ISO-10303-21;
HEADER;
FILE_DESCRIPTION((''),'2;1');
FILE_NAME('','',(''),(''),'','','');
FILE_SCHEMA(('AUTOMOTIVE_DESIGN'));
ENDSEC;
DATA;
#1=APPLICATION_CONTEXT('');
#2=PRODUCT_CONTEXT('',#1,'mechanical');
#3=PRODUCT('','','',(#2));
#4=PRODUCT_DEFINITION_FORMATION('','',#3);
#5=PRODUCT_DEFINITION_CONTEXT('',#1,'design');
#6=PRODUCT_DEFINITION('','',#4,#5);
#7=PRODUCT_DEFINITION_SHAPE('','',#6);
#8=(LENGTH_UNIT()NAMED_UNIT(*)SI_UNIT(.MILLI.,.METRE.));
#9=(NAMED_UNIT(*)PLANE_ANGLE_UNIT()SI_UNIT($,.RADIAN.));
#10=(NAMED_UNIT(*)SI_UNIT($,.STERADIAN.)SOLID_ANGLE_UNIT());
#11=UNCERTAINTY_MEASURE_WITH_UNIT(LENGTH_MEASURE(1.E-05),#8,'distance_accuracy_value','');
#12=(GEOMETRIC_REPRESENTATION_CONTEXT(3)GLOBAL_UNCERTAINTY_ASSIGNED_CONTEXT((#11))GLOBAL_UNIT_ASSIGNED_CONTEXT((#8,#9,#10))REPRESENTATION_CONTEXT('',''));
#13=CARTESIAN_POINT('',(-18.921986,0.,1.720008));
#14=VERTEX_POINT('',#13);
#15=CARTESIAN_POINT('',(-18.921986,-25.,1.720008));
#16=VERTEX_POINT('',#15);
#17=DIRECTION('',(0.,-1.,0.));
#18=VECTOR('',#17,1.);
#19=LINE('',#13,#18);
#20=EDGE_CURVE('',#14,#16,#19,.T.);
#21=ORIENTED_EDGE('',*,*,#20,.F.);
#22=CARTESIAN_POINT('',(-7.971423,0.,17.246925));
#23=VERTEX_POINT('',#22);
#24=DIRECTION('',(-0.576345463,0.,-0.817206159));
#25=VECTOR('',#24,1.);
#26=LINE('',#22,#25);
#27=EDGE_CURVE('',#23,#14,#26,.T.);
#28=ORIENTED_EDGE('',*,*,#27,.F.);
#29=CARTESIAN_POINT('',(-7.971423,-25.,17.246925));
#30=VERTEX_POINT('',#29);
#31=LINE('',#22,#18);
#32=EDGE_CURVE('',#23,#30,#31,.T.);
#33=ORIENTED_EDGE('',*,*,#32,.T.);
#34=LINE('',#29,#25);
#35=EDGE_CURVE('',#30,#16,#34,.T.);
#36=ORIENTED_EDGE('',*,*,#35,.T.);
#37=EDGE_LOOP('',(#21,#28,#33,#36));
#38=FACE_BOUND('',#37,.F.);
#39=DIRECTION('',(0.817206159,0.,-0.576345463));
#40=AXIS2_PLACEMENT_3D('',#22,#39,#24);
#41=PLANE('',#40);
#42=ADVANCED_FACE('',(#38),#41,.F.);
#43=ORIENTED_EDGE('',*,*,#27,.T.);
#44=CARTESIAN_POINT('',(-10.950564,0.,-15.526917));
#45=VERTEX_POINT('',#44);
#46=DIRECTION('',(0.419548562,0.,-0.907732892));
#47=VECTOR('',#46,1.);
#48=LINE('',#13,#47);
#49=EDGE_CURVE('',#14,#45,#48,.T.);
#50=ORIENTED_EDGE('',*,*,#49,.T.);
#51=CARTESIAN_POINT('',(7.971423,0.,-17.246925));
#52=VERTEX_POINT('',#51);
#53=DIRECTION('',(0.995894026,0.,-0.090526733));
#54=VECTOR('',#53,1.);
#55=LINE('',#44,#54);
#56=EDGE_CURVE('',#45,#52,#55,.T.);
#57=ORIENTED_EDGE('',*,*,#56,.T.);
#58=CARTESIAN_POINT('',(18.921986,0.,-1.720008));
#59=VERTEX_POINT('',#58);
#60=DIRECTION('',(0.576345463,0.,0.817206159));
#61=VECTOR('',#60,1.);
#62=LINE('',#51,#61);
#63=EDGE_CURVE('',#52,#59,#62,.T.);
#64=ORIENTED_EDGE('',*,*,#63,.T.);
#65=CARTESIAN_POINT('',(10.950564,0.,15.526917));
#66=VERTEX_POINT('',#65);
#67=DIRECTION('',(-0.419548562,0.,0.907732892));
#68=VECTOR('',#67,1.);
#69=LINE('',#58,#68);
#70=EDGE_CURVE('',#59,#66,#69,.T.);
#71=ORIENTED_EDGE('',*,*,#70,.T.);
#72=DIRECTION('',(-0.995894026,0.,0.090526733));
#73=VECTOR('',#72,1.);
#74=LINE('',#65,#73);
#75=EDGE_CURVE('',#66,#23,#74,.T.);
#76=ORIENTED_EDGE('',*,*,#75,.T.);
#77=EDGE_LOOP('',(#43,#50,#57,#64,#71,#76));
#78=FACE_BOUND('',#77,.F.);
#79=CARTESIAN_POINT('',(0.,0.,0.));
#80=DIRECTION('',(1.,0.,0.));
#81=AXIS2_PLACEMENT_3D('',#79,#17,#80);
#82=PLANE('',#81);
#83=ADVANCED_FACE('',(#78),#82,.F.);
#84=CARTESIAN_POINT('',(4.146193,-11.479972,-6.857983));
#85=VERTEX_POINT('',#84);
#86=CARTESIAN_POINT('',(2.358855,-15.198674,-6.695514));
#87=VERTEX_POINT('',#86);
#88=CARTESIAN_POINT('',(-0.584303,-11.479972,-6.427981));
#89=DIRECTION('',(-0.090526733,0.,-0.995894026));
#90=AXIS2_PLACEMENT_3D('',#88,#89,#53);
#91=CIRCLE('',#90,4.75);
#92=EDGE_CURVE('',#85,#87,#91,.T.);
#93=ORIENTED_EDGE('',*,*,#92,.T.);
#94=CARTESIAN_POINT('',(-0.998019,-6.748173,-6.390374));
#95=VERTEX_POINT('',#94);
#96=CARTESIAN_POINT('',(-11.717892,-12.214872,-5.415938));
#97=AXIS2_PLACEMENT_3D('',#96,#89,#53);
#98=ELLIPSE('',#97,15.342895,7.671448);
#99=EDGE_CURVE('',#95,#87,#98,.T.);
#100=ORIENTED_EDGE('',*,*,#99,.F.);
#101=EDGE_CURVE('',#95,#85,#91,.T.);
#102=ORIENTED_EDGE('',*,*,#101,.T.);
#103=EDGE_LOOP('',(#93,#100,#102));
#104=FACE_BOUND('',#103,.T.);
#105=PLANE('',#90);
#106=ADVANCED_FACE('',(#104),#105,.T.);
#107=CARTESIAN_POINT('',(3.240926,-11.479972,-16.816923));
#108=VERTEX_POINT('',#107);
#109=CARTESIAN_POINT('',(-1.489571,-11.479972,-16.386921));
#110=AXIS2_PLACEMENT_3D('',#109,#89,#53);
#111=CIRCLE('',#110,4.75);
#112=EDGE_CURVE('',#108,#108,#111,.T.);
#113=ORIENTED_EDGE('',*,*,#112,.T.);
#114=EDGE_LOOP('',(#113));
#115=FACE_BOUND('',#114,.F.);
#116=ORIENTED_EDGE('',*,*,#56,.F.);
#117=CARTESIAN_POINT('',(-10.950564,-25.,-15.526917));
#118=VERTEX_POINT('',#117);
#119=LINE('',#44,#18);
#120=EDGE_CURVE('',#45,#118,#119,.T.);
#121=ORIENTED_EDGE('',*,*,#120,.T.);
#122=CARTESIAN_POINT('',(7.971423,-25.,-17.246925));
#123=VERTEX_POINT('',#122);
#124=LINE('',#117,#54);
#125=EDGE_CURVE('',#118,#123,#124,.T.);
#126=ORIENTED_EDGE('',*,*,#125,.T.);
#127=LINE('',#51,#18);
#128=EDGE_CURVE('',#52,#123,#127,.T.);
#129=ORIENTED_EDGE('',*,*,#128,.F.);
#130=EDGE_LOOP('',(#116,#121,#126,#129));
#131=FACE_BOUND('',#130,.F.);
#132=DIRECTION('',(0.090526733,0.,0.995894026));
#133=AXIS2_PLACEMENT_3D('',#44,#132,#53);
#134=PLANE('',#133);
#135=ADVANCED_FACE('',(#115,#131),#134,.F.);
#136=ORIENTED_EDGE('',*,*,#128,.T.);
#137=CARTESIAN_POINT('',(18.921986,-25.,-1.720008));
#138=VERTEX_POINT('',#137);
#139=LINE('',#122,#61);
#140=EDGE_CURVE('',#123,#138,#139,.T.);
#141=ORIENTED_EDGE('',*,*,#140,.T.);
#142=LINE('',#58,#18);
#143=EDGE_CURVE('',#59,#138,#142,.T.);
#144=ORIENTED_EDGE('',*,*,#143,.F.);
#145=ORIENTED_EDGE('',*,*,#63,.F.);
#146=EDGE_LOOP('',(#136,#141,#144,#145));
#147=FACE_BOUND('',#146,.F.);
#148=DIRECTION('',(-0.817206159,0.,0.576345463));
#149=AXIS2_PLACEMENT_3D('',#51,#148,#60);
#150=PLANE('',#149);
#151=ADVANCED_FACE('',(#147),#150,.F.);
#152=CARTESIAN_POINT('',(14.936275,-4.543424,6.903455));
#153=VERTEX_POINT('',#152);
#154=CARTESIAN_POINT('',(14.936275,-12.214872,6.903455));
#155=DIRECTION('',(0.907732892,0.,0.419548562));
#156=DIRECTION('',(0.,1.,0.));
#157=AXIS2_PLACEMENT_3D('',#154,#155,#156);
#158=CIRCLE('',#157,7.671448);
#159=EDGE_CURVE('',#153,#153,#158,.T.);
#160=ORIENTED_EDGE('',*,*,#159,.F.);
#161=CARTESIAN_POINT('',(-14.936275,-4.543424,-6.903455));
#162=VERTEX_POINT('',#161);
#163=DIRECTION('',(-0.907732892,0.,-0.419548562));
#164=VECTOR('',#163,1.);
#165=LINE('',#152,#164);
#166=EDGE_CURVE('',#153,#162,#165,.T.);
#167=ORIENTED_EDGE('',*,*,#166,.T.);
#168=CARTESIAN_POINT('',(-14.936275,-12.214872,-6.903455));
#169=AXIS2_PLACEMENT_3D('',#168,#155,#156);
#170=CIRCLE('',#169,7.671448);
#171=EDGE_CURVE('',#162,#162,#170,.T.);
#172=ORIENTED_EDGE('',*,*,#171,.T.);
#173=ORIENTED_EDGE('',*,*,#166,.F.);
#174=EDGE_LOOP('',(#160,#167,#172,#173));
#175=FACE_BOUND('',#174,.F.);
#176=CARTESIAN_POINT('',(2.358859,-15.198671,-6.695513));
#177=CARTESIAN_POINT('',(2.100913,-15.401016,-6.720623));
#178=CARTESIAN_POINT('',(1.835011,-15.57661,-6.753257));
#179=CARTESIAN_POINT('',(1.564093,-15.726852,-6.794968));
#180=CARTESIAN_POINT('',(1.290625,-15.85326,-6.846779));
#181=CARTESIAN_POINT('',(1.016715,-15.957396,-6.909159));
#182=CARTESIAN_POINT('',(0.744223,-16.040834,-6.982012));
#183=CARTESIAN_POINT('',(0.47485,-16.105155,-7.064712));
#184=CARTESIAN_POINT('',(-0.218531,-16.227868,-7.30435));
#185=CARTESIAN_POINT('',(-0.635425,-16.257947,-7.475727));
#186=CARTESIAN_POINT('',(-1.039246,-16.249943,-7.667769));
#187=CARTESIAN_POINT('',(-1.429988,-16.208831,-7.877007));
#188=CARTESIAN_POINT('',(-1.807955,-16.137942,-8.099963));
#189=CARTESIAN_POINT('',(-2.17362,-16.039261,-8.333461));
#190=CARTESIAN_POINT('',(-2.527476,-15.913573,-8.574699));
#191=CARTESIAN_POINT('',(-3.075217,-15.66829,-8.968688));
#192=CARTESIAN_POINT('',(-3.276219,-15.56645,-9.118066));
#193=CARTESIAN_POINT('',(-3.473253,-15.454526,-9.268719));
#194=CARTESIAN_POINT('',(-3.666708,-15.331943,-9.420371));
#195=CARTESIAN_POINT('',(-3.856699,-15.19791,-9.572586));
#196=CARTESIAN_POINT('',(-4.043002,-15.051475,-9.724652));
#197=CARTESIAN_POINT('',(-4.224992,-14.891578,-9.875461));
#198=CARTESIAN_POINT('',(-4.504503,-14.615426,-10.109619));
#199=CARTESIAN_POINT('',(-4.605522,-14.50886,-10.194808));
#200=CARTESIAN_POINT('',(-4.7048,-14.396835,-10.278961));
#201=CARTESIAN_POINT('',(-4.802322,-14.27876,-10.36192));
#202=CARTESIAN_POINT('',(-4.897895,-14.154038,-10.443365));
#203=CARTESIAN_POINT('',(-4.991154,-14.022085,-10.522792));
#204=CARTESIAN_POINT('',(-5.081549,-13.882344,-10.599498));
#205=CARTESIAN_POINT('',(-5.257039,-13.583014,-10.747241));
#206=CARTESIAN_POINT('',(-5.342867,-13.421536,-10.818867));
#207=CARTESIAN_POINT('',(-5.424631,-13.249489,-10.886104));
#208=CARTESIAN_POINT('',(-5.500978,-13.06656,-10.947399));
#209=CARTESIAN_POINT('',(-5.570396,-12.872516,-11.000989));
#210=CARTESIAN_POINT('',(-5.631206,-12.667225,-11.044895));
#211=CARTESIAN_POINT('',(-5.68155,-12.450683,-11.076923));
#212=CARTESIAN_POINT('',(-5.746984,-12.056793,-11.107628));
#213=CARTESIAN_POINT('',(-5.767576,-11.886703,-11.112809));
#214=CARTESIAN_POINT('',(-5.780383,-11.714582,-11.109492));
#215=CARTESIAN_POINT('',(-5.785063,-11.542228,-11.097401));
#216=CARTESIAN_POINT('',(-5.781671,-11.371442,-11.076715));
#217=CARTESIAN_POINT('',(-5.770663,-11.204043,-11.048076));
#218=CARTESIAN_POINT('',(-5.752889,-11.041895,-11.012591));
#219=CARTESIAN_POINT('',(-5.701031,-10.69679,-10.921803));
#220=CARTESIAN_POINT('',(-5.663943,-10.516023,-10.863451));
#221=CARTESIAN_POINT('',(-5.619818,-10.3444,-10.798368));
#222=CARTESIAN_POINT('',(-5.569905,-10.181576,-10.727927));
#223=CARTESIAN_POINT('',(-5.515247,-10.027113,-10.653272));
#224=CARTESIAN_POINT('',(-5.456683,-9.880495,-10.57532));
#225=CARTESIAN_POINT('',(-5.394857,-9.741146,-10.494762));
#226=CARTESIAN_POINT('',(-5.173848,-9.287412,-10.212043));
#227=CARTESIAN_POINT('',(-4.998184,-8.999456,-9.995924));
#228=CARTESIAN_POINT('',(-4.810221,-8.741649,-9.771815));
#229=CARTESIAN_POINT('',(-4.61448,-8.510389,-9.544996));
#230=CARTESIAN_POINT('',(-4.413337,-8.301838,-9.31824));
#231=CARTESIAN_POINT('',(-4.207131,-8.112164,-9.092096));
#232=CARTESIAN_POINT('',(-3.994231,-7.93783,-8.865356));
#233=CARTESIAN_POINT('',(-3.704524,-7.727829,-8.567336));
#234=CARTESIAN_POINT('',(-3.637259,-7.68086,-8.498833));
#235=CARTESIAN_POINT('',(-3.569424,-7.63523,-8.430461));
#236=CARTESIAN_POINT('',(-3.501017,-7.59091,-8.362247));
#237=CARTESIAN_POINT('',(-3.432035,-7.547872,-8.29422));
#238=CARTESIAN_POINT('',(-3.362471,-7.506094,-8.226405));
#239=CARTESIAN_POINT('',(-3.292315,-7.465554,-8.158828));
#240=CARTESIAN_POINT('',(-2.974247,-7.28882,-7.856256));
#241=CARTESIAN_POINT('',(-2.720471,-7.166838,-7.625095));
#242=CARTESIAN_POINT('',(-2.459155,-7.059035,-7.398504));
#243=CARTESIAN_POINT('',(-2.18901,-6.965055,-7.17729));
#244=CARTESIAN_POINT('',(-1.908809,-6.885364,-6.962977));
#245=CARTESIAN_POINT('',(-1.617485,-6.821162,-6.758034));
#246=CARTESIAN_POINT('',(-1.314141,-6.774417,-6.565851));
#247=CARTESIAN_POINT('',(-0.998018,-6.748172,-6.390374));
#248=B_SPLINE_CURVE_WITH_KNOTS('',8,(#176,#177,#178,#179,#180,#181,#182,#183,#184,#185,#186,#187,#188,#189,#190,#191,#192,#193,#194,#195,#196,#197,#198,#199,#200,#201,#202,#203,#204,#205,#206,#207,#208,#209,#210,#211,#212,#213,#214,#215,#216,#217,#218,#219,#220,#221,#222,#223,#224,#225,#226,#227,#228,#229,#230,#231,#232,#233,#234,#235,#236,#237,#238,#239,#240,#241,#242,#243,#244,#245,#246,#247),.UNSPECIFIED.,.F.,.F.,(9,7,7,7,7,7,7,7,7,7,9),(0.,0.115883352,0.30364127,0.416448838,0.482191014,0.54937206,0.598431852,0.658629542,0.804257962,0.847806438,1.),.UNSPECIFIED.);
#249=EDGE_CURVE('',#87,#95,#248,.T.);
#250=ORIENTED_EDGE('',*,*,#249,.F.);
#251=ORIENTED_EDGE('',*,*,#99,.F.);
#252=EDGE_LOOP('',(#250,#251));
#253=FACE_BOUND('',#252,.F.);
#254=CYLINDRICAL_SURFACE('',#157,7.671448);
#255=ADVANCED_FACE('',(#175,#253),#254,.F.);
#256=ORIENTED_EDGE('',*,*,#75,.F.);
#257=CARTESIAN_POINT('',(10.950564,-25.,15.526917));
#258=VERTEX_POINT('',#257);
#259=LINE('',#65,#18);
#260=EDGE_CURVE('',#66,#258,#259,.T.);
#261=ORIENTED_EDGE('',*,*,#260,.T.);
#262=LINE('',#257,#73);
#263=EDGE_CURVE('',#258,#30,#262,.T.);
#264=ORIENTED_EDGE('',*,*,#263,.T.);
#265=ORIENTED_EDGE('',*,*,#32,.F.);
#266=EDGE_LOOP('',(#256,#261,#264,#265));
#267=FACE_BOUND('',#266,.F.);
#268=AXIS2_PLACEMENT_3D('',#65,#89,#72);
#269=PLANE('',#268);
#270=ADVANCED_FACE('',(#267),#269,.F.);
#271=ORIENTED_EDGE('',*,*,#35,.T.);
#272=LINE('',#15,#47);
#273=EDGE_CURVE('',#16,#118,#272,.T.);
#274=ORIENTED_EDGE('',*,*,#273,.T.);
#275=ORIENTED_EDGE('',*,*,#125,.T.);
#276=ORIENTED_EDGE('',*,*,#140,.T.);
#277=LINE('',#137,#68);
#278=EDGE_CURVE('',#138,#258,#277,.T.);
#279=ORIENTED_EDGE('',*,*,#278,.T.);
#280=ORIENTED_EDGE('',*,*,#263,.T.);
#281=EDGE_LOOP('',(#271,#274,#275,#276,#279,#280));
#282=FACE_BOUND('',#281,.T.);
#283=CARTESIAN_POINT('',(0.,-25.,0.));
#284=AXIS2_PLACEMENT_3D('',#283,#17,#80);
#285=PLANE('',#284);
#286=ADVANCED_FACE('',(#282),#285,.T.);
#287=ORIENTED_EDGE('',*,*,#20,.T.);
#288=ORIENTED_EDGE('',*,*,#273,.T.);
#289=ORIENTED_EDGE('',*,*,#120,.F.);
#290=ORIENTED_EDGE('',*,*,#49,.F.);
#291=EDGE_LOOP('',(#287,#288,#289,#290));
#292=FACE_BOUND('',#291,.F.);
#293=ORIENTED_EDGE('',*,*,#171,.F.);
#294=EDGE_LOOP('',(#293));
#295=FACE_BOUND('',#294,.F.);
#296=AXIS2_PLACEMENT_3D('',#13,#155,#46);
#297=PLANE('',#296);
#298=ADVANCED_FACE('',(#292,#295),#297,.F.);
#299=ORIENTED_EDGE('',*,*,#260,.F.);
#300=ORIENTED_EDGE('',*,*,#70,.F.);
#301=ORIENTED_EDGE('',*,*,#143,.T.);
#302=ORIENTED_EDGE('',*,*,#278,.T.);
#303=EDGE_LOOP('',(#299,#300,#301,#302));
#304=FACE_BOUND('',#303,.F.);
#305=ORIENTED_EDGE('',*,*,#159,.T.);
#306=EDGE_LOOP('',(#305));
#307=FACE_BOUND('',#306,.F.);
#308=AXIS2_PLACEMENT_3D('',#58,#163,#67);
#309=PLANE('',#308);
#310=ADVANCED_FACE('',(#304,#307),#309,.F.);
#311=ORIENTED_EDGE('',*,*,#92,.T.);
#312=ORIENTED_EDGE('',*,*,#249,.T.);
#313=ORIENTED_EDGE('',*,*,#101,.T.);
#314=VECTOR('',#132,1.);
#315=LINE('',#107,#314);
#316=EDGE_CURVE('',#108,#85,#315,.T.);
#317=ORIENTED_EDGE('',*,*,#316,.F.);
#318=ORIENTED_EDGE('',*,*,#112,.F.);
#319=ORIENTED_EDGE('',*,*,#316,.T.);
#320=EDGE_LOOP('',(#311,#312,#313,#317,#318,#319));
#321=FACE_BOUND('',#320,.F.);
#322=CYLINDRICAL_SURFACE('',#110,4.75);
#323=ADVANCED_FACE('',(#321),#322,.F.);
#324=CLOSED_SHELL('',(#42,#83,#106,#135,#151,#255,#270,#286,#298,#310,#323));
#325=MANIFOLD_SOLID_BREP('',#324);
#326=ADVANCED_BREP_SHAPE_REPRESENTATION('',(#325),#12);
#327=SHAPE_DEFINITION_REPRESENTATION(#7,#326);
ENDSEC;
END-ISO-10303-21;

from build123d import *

# Parameters (mm, degrees)
F1_DEPTH = 25
F2_R     = 4.75
F3_DEPTH = 10
F4_R     = 7.6714476374
F5_DEPTH = 39.4


with BuildPart() as f1:
    # F0 (on Front) → F1 (new body)
    with BuildSketch(Plane.XZ):
        Polygon((-7.9714226845, 17.2469249544), (-18.92198649, 1.7200079281), (-10.9505638054, -15.5269170263), (7.9714226845, -17.2469249544), (18.92198649, -1.7200079281), (10.9505638054, 15.5269170263), align=None)
    extrude(amount=F1_DEPTH)

    # F2 (on face) → F3 (cut)
    with BuildSketch(Plane(origin=(-1.4895705605, 0, -16.3869209904), x_dir=(0.9958940258, 0, -0.0905267331), z_dir=(-0.0905267331, 0, -0.9958940258))):
        with Locations((0, 11.4799719304)):
            Circle(F2_R)
    extrude(amount=-F3_DEPTH, mode=Mode.SUBTRACT)

    # F4 (on face) → F5 (cut)
    with BuildSketch(Plane(origin=(14.9362751477, 0, 6.9034545491), x_dir=(0, 1, 0), z_dir=(0.9077328923, 0, 0.4195485623))):
        with Locations((-12.2148720548, 0)):
            Circle(F4_R)
    extrude(amount=-F5_DEPTH, mode=Mode.SUBTRACT)


solid = f1.part
